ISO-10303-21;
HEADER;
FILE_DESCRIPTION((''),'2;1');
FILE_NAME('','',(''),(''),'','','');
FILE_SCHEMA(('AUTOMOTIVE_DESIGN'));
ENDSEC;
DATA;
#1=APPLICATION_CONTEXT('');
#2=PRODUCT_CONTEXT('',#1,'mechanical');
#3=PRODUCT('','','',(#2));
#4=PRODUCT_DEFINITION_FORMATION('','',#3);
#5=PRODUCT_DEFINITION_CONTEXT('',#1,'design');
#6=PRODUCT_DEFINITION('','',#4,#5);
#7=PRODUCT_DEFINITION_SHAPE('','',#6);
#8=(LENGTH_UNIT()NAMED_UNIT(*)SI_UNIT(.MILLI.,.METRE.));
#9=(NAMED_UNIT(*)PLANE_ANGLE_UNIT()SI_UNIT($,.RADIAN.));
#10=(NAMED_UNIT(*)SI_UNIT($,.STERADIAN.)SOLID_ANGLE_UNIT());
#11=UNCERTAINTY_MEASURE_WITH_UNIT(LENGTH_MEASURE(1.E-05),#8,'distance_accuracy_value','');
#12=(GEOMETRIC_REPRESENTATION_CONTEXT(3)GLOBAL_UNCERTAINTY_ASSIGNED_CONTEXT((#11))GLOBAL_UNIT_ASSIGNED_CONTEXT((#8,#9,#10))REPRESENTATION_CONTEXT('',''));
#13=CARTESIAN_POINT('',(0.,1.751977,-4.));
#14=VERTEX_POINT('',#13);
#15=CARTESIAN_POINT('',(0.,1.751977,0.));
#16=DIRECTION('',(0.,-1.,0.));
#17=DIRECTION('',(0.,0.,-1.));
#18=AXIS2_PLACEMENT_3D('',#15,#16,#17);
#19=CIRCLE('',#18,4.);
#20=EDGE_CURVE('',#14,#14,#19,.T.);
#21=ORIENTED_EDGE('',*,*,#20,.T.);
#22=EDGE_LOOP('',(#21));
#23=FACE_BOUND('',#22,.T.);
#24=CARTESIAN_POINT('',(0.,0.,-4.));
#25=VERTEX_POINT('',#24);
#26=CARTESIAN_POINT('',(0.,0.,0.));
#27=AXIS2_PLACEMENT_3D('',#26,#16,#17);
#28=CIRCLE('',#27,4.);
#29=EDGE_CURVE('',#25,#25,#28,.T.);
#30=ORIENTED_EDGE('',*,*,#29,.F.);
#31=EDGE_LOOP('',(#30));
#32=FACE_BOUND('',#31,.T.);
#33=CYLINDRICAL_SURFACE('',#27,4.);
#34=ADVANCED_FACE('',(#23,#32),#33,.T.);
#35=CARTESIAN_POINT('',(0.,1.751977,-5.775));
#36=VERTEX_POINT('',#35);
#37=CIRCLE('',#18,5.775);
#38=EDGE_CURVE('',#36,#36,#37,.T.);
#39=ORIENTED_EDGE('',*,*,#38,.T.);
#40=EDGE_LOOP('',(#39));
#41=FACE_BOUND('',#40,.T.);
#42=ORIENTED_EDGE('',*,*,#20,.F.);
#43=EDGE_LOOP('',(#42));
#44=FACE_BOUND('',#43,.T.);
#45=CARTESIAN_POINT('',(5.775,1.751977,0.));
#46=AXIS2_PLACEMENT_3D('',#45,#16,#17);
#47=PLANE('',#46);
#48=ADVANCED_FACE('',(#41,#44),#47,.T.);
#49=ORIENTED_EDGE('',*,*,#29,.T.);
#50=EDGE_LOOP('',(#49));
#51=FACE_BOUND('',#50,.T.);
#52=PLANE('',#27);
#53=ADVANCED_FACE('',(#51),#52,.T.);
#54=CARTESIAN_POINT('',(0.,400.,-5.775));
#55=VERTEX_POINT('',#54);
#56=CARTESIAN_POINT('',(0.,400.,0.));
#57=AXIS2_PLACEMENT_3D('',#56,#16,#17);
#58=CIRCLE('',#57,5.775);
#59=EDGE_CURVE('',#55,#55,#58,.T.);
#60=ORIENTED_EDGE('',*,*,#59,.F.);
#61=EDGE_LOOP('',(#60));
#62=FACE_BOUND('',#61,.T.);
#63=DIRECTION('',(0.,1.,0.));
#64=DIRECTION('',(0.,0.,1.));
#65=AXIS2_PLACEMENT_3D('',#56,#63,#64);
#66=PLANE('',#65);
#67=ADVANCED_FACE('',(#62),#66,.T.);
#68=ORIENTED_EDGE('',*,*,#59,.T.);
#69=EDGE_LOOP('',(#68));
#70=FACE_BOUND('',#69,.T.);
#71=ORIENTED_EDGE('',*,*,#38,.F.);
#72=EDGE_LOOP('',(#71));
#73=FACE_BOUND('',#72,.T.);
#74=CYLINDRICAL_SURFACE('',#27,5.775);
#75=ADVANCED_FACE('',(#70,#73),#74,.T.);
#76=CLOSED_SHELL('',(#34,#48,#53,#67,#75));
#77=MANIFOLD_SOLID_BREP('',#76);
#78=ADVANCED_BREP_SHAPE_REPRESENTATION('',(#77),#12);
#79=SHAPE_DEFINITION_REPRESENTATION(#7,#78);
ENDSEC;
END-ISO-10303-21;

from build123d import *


with BuildPart() as part:
    # Sketch1 → Revolve1 (revolve)
    with BuildSketch(Plane.XY, mode=Mode.PRIVATE) as revolve1_sk:
        Polygon((5.775, 1.751977143), (4, 1.751977143), (4, 0), (0, 0), (0, 400), (5.775, 400), align=None)
    revolve(revolve1_sk.sketch.rotate(Axis((0, 0, 0), (0, 1, 0)), 90), axis=Axis((0, 0, 0), (0, 1, 0)))


solid = part.part
